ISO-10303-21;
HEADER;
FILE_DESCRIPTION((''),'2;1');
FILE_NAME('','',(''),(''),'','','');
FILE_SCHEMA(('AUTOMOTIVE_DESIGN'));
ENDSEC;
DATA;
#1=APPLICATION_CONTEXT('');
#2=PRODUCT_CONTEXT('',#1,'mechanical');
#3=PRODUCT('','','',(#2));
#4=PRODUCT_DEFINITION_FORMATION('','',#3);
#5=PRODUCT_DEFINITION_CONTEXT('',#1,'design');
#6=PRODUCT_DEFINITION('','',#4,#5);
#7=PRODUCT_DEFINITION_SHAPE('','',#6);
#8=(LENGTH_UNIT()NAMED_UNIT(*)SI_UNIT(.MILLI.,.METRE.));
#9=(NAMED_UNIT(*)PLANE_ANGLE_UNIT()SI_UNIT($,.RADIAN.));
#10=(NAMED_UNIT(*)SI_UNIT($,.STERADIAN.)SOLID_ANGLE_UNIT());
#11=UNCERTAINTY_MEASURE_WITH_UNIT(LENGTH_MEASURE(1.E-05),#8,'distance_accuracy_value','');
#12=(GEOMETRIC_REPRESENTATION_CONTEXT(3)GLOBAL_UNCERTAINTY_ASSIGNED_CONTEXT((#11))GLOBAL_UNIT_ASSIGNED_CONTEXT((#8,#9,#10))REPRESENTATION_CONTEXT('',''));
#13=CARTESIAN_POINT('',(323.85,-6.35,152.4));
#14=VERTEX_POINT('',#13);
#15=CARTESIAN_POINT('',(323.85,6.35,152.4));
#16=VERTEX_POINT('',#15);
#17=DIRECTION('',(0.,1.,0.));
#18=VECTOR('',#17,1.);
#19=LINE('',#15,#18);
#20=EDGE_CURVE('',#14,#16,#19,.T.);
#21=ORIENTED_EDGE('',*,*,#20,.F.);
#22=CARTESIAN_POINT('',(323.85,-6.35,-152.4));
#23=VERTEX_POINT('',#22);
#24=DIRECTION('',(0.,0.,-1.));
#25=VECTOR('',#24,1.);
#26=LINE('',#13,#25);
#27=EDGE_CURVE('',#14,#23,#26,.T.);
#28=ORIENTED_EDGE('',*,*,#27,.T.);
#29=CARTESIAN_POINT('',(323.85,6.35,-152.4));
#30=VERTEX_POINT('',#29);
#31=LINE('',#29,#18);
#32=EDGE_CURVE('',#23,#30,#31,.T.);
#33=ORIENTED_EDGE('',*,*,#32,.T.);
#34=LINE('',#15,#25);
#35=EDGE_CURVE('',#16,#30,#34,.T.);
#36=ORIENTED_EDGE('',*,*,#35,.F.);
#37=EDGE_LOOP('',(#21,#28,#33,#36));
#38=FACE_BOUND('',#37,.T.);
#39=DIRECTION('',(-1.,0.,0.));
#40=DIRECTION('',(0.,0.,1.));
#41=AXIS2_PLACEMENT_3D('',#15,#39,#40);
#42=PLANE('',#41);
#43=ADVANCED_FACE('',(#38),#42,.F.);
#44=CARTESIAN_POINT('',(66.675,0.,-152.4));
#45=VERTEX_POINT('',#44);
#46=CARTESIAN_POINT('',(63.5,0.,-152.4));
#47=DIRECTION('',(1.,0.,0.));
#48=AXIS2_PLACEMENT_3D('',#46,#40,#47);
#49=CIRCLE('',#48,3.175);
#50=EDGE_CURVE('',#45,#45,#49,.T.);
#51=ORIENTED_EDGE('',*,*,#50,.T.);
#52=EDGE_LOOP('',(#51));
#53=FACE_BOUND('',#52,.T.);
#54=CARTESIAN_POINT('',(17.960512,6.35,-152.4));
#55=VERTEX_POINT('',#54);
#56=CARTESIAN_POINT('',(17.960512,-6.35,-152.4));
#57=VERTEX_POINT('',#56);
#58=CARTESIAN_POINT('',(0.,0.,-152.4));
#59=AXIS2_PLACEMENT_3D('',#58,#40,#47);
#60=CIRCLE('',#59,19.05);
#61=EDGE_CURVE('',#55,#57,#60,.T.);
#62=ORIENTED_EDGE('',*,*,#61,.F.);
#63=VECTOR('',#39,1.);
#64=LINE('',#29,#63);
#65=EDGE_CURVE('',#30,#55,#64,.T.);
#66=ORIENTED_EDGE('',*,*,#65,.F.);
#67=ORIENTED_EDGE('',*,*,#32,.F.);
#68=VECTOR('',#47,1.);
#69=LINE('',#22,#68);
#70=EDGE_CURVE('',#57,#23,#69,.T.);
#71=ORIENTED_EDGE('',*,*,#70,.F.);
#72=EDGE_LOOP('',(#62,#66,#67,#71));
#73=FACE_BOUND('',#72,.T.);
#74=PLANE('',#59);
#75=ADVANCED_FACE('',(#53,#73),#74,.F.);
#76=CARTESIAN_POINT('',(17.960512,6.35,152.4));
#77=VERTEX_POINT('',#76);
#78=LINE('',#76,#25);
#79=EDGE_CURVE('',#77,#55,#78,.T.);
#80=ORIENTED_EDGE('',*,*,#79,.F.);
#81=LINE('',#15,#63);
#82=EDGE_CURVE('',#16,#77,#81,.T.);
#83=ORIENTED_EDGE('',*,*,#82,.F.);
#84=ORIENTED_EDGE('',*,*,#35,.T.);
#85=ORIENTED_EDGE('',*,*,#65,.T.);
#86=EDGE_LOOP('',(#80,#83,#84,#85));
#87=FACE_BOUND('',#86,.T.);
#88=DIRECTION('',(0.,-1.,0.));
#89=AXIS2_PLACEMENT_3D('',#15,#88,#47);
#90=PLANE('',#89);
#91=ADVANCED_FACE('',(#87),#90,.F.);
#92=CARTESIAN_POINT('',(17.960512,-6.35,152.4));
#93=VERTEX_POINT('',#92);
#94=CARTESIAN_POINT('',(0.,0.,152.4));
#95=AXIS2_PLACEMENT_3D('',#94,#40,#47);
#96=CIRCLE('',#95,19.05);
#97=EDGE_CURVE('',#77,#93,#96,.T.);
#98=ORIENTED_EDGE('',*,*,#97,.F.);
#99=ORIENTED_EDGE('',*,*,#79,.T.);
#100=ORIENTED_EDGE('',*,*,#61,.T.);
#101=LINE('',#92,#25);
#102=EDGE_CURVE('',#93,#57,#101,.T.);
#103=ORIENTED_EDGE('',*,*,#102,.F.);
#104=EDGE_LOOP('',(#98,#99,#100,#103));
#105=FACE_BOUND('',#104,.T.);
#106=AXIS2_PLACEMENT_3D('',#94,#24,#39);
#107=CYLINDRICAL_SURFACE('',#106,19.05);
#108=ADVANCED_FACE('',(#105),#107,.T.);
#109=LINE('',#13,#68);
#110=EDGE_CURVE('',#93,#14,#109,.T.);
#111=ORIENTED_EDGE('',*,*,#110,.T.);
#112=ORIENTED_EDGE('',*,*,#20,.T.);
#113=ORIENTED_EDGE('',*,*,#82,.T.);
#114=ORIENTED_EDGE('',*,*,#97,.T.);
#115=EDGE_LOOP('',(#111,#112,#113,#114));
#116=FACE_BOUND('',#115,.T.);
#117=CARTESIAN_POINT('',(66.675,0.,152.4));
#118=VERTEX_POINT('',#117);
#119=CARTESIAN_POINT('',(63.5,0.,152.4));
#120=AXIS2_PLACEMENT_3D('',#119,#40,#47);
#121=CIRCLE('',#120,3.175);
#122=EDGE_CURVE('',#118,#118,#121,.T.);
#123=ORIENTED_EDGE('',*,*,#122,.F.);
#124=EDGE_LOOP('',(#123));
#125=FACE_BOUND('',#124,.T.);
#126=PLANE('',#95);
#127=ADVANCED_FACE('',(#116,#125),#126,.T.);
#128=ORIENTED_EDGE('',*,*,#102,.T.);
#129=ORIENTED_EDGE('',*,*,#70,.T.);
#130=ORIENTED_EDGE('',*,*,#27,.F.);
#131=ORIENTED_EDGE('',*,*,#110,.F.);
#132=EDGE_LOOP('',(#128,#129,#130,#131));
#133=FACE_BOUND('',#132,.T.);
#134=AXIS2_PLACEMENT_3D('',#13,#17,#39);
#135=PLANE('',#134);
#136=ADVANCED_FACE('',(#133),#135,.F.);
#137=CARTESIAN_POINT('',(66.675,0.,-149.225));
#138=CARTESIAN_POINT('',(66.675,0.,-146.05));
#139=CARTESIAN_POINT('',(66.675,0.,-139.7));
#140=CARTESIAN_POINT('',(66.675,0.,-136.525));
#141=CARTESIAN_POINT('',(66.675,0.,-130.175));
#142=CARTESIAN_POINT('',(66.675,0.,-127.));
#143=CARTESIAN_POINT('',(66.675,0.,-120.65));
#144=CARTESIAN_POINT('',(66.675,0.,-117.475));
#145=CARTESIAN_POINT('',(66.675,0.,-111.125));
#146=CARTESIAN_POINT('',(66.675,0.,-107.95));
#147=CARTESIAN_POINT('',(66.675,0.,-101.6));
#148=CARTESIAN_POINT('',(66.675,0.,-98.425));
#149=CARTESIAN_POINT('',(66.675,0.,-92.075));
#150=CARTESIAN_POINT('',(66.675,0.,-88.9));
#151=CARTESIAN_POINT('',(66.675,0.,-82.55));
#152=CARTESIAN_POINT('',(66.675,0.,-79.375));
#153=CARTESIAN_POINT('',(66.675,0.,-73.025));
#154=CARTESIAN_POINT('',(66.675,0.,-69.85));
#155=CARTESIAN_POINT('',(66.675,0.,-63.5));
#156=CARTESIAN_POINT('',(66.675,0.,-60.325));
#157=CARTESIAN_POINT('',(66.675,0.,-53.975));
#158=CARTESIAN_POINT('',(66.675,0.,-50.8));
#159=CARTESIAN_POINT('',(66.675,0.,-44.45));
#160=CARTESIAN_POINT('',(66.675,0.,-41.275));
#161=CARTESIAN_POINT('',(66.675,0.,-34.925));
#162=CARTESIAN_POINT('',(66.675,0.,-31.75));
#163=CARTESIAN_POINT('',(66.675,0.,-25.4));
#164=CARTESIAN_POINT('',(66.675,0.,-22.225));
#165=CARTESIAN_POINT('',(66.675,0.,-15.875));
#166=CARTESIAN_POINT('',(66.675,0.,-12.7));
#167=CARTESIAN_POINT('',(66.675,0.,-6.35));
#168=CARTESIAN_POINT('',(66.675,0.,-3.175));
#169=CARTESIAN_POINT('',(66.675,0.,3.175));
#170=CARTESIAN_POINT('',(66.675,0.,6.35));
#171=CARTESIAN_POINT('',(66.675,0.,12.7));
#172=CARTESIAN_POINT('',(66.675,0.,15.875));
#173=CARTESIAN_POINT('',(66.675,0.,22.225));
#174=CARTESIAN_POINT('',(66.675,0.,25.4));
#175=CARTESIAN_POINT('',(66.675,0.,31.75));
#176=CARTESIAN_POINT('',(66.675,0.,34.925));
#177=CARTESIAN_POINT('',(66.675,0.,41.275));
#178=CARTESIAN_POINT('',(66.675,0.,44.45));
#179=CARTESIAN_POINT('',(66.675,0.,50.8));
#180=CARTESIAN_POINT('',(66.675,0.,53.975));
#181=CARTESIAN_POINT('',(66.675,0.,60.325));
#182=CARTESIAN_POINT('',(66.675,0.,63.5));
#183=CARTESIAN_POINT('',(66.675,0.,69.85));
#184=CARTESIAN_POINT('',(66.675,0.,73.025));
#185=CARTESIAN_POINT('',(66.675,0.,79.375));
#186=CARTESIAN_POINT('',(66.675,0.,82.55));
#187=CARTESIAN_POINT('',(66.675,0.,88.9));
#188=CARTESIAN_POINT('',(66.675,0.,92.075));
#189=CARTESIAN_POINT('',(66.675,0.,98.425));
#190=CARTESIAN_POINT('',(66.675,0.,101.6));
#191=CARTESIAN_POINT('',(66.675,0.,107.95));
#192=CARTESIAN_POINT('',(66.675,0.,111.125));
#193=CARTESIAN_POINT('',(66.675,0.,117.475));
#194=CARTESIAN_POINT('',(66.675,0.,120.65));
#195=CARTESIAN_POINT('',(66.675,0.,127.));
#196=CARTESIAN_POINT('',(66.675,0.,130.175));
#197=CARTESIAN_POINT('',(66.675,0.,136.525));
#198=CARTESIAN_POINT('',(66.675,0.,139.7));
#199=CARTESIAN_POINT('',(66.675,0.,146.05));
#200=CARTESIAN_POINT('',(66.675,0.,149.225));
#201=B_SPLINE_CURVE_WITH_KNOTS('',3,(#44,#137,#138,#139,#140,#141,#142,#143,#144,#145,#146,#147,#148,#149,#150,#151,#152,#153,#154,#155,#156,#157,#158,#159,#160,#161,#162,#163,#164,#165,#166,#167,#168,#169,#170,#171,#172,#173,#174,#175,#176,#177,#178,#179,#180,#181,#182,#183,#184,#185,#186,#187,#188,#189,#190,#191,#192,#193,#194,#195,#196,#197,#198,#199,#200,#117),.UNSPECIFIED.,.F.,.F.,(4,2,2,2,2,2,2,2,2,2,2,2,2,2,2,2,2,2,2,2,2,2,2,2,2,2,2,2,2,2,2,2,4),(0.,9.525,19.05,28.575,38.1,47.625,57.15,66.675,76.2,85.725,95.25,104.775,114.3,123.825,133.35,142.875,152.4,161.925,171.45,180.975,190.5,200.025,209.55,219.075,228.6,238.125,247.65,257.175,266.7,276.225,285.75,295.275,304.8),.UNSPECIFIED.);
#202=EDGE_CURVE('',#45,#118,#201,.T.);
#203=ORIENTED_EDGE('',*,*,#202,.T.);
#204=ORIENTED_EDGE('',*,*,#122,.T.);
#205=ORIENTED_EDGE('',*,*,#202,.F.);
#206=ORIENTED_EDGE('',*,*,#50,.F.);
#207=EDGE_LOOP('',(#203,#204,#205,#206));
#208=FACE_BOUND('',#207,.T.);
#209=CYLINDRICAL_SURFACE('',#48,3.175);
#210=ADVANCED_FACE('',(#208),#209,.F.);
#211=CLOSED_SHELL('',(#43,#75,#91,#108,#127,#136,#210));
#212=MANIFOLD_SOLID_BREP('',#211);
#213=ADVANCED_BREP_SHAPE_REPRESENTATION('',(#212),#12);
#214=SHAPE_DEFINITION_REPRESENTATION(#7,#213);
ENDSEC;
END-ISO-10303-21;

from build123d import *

# Parameters (mm, degrees)
EXTRUDE1_DEPTH     = 152.4
SKETCH2_R          = 3.175
CUT_EXTRUDE1_DEPTH = 446.134547075


with BuildPart() as part:
    # Sketch1 → Extrude1 (new, symmetric)
    with BuildSketch(Plane.XY):
        with BuildLine():
            Line((323.85, 6.35), (323.85, -6.35))
            Line((323.85, -6.35), (17.960512242, -6.35))
            ThreePointArc((17.960512242, -6.35), (-19.05, 0), (17.960512242, 6.35))
            Line((17.960512242, 6.35), (323.85, 6.35))
        make_face()
    extrude(amount=EXTRUDE1_DEPTH, both=True)

    # Sketch2 → Cut-Extrude1 (cut, through all)
    with BuildSketch(Plane.XY.offset(152.4)):
        with Locations((63.5, 0)):
            Circle(SKETCH2_R)
    extrude(amount=-CUT_EXTRUDE1_DEPTH, mode=Mode.SUBTRACT)


solid = part.part
